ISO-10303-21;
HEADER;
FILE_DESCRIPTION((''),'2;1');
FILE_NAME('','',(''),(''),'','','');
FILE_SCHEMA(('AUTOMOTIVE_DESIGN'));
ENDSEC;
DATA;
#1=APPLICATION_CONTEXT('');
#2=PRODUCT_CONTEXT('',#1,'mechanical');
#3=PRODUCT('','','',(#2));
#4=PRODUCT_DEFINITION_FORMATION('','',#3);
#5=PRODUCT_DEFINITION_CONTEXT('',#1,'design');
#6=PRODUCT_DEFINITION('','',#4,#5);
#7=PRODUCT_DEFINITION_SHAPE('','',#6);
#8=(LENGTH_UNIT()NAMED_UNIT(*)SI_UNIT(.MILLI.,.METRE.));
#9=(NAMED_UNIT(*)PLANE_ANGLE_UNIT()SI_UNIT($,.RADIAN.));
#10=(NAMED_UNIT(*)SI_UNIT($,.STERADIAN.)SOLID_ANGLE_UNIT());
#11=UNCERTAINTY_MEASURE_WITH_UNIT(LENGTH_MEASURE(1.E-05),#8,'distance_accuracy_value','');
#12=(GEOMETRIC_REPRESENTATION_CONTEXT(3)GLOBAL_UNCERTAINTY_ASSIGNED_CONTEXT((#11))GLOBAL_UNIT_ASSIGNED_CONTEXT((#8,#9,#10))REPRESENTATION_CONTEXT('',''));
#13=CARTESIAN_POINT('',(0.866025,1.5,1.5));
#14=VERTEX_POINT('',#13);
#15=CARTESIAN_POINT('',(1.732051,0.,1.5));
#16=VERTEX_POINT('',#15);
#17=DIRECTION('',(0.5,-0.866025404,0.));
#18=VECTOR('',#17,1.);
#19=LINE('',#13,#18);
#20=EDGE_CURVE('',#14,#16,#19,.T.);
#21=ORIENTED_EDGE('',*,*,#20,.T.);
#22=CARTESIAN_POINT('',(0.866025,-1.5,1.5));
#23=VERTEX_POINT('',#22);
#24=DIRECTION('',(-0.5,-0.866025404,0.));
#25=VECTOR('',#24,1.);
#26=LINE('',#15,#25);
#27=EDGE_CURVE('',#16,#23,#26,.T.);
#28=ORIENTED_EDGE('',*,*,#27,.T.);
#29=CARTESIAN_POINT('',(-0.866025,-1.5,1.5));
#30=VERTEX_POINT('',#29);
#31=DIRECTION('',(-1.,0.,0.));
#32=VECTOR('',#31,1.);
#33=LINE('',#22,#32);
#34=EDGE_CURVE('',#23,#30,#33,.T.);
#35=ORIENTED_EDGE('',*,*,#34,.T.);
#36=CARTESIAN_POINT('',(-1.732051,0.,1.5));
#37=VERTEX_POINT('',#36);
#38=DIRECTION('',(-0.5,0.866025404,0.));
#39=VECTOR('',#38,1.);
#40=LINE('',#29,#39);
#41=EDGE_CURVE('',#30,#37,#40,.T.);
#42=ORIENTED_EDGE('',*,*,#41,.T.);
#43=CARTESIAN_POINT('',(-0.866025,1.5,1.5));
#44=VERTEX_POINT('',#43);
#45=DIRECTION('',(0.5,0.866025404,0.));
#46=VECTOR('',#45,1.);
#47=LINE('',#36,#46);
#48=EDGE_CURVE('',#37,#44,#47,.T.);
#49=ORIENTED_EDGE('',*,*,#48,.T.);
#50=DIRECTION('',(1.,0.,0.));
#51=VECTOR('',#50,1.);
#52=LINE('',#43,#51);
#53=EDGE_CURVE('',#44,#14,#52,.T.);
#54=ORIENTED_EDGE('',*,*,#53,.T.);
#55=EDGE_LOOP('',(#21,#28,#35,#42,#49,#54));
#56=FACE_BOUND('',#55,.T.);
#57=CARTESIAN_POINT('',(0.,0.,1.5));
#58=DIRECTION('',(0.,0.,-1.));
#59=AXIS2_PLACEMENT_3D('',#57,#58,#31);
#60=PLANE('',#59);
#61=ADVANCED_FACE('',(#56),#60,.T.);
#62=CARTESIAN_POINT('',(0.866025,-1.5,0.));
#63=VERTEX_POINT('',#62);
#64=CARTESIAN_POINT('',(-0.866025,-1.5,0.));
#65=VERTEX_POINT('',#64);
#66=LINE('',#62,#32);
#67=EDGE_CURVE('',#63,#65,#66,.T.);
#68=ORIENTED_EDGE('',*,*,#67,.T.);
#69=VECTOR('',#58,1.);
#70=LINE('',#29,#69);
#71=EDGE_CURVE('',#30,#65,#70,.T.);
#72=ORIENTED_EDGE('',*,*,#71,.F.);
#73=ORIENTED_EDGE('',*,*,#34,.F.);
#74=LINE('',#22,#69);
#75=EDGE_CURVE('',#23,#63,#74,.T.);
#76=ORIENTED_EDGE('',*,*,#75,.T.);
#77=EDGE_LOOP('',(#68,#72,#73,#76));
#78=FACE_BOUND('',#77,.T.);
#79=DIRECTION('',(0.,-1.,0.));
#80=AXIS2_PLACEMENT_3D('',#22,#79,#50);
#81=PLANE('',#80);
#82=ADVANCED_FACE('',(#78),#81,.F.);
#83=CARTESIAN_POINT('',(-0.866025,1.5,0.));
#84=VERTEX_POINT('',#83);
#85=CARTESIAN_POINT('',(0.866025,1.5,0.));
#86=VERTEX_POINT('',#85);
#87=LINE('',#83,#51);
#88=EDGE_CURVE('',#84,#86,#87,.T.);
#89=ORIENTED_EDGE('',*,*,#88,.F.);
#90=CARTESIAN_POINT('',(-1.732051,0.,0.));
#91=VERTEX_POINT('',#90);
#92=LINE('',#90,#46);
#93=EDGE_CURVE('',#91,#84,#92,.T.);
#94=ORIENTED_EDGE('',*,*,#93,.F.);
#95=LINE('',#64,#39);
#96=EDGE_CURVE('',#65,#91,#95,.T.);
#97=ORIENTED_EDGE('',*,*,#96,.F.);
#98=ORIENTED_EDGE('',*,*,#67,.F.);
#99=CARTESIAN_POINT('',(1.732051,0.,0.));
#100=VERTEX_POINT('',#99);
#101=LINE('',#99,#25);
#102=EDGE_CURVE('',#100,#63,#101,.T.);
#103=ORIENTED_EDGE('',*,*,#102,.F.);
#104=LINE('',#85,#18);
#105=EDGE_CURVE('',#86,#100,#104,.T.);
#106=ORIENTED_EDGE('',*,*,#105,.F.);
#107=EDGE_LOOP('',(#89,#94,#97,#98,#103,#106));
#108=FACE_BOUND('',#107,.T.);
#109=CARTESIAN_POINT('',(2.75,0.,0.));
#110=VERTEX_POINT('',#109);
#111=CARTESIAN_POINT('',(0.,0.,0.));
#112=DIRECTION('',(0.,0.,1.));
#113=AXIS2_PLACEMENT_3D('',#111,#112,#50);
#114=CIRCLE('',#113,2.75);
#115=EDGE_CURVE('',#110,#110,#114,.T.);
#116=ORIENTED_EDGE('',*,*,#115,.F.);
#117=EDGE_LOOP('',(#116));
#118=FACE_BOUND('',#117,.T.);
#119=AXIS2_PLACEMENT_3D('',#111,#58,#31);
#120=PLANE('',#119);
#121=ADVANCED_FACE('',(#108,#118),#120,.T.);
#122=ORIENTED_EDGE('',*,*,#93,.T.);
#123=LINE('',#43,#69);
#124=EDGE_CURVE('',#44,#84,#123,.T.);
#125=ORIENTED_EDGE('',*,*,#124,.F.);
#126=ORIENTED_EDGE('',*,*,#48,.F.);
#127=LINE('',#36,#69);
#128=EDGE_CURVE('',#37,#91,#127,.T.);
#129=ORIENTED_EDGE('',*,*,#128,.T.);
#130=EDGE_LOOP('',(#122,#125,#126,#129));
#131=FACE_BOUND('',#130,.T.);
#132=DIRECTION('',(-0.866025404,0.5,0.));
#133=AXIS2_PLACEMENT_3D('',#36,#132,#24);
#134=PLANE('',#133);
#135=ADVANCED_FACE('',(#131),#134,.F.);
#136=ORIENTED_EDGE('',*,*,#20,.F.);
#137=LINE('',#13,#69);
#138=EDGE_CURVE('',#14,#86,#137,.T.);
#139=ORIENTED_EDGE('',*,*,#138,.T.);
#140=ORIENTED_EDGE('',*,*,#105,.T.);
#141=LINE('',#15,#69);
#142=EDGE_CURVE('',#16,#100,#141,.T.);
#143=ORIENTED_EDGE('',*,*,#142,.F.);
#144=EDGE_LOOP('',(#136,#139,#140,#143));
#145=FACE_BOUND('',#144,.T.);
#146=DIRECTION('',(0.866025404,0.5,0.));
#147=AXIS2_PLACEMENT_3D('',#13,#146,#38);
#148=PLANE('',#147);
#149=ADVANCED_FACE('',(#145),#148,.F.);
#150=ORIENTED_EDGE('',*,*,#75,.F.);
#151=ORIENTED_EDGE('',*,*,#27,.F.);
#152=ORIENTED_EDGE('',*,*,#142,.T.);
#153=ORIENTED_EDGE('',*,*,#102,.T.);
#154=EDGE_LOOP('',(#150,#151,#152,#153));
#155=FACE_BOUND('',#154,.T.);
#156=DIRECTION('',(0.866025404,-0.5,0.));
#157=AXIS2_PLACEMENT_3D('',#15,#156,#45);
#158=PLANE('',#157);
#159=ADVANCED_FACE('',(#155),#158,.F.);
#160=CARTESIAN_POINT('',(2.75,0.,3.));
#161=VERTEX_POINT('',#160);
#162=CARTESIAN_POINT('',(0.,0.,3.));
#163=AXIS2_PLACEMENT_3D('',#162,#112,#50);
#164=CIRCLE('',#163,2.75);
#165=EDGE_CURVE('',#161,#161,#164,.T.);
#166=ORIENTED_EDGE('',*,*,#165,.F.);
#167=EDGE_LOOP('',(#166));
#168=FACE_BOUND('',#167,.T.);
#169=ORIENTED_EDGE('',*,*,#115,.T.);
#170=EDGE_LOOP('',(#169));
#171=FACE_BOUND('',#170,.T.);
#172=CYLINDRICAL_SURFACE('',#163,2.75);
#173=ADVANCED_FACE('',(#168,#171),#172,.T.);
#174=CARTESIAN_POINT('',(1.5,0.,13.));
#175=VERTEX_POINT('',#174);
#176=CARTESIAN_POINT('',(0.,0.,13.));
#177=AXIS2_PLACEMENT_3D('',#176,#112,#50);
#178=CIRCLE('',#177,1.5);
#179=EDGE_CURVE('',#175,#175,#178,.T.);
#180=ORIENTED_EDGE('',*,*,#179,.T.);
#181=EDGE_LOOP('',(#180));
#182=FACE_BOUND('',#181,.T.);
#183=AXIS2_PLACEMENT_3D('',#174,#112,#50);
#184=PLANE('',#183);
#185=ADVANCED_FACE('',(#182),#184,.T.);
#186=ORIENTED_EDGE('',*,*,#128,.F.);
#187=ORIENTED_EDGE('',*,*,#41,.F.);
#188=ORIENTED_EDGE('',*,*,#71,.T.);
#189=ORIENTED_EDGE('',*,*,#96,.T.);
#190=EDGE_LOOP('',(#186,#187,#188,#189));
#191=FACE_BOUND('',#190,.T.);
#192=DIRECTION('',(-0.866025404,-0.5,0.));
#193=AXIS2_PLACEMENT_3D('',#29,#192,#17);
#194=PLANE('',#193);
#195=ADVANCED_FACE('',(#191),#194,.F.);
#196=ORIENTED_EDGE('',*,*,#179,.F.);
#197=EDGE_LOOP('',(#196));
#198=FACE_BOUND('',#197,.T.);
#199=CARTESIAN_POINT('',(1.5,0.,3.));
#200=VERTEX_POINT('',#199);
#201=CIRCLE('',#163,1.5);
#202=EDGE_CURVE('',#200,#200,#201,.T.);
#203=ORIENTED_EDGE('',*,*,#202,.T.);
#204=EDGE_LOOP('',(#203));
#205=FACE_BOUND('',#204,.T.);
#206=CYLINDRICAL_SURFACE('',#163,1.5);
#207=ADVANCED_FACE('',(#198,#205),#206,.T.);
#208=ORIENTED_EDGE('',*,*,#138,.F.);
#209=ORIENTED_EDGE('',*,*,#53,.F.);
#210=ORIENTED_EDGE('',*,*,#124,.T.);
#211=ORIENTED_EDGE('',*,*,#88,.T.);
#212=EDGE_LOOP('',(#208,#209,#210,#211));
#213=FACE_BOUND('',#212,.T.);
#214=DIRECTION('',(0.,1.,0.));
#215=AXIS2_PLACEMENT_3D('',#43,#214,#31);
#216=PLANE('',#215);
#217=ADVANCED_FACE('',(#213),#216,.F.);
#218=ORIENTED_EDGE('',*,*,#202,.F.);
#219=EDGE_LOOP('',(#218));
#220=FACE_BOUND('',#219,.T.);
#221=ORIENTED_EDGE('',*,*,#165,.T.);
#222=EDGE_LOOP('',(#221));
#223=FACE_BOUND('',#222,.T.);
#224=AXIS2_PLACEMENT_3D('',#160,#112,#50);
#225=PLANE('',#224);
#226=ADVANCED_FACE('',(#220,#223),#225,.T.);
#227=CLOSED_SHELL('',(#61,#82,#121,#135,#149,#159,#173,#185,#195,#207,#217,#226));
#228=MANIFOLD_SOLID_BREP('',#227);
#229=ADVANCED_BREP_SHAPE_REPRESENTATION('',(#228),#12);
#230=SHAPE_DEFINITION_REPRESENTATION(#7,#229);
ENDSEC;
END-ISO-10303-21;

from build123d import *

# Parameters (mm, degrees)
CORTE_EXTRUS_O1_DEPTH = 1.5


with BuildPart() as part:
    # Esboço1 → Revolução1 (revolve)
    with BuildSketch(Plane(origin=(0, 0, 0), x_dir=(1, 0, 0), z_dir=(0, 1, 0))):
        Polygon((0, 0), (2.75, 0), (2.75, -3), (1.5, -3), (1.5, -13), (0, -13), (0, -3), align=None)
    revolve(axis=Axis((0, 0, 3), (0, 0, -1)))

    # Esboço2 → Corte-extrusão1 (cut)
    with BuildSketch(Plane(origin=(0, 0, 0), x_dir=(-1, 0, 0), z_dir=(0, 0, -1))):
        Polygon((1.732050808, 0), (0.866025404, 1.5), (-0.866025404, 1.5), (-1.732050808, 0), (-0.866025404, -1.5), (0.866025404, -1.5), align=None)
    extrude(amount=-CORTE_EXTRUS_O1_DEPTH, mode=Mode.SUBTRACT)


solid = part.part
